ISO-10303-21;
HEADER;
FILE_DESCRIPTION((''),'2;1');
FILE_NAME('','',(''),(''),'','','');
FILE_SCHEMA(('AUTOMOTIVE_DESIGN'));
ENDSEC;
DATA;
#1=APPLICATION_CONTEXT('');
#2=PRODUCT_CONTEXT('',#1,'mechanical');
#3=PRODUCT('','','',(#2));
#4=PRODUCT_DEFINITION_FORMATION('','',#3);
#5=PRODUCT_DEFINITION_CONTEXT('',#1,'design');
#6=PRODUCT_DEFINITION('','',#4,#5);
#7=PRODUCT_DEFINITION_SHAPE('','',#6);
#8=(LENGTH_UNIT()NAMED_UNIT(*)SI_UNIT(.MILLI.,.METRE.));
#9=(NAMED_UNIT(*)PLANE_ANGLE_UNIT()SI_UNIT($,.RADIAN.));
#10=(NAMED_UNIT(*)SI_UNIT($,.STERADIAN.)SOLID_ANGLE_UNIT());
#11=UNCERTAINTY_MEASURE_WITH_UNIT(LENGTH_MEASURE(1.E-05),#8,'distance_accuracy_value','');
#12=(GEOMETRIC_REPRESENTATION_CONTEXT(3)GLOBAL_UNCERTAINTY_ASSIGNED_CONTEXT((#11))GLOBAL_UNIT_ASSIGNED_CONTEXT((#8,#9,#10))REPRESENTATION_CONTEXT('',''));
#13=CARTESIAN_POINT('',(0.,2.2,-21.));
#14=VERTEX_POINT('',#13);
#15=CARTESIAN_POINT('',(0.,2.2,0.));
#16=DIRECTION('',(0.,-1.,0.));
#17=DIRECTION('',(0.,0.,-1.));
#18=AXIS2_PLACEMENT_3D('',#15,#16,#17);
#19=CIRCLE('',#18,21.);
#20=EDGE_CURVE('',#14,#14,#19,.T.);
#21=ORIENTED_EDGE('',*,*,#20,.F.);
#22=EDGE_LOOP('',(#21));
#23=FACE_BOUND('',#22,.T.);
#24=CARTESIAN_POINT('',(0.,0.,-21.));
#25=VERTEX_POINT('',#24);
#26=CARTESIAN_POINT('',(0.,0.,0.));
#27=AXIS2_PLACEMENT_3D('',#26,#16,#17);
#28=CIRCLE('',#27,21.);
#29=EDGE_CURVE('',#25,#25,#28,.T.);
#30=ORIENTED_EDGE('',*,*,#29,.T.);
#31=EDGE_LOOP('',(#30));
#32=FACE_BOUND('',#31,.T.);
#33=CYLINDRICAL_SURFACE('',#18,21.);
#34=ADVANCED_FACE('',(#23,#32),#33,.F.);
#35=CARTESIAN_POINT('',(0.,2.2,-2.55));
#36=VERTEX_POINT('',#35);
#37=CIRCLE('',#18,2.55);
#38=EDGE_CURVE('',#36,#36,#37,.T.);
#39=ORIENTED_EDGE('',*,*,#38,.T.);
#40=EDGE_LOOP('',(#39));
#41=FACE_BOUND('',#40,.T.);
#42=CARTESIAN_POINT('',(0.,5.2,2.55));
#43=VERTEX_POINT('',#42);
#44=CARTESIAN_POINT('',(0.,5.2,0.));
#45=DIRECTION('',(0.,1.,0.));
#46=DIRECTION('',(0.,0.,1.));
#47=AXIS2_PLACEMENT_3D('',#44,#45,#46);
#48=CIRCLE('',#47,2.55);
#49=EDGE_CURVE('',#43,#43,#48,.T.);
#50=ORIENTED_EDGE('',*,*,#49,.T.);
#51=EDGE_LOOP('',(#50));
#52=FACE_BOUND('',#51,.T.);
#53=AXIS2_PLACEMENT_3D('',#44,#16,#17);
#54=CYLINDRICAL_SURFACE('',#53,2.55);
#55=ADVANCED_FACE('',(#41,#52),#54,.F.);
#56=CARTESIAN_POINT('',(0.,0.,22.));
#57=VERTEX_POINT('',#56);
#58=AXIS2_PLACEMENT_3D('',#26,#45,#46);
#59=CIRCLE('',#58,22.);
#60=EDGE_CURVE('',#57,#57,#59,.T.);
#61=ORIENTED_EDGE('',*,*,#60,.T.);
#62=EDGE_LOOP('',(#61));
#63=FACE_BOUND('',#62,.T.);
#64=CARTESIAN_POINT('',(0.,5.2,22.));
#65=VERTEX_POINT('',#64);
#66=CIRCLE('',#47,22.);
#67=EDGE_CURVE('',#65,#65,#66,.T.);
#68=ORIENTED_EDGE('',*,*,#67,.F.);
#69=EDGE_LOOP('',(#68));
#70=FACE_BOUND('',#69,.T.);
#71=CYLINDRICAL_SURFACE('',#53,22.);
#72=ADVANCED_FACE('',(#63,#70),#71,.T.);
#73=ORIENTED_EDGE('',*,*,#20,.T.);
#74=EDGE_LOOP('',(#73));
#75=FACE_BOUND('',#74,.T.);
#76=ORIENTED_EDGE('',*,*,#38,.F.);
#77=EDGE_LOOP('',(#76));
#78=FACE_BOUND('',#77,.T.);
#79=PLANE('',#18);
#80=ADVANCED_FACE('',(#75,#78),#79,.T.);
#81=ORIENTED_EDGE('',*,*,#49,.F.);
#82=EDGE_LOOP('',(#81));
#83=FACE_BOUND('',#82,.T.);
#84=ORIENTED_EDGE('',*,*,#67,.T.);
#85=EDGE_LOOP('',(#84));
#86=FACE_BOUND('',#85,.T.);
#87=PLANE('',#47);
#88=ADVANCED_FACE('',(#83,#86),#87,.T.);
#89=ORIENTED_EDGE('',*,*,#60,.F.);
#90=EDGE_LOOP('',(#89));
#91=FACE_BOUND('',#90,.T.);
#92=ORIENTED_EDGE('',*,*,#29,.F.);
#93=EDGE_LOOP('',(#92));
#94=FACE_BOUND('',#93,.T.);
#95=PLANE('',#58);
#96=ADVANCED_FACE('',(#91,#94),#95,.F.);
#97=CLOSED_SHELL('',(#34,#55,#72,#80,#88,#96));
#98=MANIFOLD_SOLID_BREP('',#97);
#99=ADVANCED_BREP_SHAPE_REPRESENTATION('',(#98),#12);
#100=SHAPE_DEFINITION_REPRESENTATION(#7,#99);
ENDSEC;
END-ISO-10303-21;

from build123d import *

# Parameters (mm, degrees)
SKETCH1_R           = 22
SKETCH1_R_2         = 2.55
BOSS_EXTRUDE1_DEPTH = 5.2
SKETCH2_R           = 21
CUT_EXTRUDE1_DEPTH  = 2.2


with BuildPart() as part:
    # Sketch1 → Boss-Extrude1 (new body)
    with BuildSketch(Plane(origin=(0, 0, 0), x_dir=(1, 0, 0), z_dir=(0, 1, 0))):
        with Locations(Location((0, 0, 0), (0, 0, 270))):
            Circle(SKETCH1_R)
        with Locations(Location((0, 0, 0), (0, 0, 270))):
            Circle(SKETCH1_R_2, mode=Mode.SUBTRACT)
    extrude(amount=BOSS_EXTRUDE1_DEPTH)

    # Sketch2 → Cut-Extrude1 (cut)
    with BuildSketch(Plane.XZ):
        with Locations(Location((0, 0, 0), (0, 0, 270))):
            Circle(SKETCH2_R)
    extrude(amount=-CUT_EXTRUDE1_DEPTH, mode=Mode.SUBTRACT)


solid = part.part
